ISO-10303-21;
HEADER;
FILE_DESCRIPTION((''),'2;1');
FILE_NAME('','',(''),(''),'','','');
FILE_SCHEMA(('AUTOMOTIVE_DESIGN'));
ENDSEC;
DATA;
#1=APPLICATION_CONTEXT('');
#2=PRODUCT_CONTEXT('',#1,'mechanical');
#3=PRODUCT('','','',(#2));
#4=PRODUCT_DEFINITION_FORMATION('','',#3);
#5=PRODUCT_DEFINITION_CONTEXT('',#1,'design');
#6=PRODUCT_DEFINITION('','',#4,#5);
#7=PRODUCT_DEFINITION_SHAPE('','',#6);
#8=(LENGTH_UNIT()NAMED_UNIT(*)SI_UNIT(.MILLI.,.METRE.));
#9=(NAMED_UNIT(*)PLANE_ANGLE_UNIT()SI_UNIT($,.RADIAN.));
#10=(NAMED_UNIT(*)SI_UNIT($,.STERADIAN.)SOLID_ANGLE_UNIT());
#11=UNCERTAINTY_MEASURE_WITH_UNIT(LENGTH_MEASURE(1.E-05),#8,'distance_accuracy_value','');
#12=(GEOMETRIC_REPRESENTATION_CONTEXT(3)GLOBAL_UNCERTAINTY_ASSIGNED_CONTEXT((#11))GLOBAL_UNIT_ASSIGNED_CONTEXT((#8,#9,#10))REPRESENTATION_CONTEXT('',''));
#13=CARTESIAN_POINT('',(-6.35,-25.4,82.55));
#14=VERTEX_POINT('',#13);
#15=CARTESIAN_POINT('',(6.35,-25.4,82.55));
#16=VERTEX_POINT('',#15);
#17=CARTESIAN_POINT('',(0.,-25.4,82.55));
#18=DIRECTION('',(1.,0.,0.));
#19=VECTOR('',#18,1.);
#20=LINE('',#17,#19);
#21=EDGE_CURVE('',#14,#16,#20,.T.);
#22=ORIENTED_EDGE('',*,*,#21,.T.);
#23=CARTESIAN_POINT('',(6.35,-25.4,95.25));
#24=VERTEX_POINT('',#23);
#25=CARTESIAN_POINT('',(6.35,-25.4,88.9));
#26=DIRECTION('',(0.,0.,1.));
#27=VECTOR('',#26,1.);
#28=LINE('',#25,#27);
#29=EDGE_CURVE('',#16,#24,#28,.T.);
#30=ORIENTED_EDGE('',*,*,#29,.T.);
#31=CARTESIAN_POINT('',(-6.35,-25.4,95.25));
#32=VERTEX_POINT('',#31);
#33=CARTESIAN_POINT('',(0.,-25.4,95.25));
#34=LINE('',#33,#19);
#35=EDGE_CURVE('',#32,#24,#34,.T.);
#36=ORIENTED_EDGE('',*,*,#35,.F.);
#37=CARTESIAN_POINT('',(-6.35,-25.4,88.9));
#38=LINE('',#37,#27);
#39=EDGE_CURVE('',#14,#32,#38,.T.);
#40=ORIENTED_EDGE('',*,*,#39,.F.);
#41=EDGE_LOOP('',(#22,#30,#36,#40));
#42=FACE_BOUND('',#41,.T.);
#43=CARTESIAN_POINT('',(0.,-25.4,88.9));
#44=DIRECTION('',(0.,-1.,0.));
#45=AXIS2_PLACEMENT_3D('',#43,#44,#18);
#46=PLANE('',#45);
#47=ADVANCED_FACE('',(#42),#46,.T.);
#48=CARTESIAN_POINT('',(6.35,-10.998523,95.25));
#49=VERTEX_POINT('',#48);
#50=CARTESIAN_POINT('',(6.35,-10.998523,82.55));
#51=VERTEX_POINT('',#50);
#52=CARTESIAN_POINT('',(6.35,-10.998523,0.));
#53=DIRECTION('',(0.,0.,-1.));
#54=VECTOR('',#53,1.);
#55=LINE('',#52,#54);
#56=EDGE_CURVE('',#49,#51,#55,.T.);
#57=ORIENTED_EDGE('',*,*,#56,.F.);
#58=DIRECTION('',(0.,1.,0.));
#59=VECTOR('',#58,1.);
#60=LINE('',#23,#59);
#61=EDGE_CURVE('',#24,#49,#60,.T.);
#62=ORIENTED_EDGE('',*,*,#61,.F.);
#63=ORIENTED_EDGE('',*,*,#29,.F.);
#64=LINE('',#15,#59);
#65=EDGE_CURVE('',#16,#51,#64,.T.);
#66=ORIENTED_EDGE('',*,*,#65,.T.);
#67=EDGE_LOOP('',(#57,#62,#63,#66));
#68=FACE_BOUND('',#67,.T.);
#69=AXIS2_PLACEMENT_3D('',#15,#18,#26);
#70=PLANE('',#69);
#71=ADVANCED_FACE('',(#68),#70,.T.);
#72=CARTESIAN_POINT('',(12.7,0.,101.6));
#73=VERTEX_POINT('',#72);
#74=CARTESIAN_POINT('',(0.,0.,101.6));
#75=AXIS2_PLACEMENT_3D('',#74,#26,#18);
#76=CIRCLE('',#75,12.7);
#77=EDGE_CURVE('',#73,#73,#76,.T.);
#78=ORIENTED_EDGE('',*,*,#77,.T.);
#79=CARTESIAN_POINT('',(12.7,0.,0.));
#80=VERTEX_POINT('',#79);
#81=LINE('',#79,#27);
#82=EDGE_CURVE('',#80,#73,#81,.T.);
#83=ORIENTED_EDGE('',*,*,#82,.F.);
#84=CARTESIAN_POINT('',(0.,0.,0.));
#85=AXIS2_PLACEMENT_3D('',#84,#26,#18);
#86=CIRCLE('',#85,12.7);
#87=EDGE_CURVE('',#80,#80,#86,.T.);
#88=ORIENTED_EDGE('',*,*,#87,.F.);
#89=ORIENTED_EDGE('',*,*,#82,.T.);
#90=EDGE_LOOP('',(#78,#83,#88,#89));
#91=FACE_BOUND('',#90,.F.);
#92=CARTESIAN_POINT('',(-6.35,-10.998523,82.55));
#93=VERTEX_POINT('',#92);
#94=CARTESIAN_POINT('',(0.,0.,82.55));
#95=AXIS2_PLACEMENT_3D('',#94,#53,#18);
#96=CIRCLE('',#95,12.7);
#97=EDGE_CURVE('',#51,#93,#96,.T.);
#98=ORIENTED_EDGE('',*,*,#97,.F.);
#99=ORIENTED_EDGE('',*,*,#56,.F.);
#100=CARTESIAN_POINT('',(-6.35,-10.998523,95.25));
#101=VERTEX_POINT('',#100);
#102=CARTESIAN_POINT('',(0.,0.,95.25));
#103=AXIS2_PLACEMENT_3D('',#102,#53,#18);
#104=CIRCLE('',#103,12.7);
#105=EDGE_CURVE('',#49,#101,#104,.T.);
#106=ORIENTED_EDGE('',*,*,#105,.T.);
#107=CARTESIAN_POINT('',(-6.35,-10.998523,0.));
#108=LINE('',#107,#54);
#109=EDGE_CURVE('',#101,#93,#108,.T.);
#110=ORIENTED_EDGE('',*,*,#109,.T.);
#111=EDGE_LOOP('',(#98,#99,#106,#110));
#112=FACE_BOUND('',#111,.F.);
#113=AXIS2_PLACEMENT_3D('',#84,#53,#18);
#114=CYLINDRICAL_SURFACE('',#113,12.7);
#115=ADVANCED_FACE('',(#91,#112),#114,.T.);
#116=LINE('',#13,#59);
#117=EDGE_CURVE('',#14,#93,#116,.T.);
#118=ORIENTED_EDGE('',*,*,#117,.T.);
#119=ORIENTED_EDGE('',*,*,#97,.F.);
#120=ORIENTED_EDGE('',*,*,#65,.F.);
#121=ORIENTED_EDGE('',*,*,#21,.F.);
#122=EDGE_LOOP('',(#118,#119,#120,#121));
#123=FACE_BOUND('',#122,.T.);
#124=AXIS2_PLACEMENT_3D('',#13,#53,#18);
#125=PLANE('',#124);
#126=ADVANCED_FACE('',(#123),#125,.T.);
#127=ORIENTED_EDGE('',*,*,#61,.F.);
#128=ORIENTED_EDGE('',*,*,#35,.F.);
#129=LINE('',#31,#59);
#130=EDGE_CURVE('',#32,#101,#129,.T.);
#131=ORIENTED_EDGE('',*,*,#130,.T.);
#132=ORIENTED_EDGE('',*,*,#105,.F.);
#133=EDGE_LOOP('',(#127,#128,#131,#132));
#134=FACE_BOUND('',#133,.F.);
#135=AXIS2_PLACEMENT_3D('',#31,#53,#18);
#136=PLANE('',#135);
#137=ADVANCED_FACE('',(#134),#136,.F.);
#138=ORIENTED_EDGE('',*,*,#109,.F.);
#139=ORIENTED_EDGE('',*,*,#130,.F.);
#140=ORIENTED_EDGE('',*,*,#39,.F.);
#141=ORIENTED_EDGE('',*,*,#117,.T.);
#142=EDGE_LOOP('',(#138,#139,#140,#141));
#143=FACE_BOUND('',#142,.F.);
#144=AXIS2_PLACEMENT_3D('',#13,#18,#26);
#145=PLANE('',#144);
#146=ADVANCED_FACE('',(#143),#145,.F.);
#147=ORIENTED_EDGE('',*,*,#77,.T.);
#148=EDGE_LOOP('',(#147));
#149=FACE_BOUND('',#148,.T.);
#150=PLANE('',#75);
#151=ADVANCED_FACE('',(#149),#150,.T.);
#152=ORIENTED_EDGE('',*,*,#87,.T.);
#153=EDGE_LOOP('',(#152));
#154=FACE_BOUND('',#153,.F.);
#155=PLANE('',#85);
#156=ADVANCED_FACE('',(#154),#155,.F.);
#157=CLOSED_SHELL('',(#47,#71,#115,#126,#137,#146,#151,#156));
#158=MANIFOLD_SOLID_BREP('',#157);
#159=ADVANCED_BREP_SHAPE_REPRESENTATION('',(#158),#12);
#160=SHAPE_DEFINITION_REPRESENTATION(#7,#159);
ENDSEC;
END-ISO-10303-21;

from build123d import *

# Parameters (mm, degrees)
F0_R     = 12.7
F1_DEPTH = 101.6
F3_W     = 12.7
F3_H     = 12.7


with BuildPart() as f1:
    # F0 (on Top) → F1 (new body)
    with BuildSketch(Plane.XY):
        Circle(F0_R)
    extrude(amount=F1_DEPTH)

    # F3 (on offset) → F4 (join, up to the next surface of F1)
    with BuildSketch(Plane.XZ.offset(25.4)):
        with Locations((0, 88.9)):
            Rectangle(F3_W, F3_H)
    extrude(until=Until.NEXT, dir=(0, 1, 0))


solid = f1.part
